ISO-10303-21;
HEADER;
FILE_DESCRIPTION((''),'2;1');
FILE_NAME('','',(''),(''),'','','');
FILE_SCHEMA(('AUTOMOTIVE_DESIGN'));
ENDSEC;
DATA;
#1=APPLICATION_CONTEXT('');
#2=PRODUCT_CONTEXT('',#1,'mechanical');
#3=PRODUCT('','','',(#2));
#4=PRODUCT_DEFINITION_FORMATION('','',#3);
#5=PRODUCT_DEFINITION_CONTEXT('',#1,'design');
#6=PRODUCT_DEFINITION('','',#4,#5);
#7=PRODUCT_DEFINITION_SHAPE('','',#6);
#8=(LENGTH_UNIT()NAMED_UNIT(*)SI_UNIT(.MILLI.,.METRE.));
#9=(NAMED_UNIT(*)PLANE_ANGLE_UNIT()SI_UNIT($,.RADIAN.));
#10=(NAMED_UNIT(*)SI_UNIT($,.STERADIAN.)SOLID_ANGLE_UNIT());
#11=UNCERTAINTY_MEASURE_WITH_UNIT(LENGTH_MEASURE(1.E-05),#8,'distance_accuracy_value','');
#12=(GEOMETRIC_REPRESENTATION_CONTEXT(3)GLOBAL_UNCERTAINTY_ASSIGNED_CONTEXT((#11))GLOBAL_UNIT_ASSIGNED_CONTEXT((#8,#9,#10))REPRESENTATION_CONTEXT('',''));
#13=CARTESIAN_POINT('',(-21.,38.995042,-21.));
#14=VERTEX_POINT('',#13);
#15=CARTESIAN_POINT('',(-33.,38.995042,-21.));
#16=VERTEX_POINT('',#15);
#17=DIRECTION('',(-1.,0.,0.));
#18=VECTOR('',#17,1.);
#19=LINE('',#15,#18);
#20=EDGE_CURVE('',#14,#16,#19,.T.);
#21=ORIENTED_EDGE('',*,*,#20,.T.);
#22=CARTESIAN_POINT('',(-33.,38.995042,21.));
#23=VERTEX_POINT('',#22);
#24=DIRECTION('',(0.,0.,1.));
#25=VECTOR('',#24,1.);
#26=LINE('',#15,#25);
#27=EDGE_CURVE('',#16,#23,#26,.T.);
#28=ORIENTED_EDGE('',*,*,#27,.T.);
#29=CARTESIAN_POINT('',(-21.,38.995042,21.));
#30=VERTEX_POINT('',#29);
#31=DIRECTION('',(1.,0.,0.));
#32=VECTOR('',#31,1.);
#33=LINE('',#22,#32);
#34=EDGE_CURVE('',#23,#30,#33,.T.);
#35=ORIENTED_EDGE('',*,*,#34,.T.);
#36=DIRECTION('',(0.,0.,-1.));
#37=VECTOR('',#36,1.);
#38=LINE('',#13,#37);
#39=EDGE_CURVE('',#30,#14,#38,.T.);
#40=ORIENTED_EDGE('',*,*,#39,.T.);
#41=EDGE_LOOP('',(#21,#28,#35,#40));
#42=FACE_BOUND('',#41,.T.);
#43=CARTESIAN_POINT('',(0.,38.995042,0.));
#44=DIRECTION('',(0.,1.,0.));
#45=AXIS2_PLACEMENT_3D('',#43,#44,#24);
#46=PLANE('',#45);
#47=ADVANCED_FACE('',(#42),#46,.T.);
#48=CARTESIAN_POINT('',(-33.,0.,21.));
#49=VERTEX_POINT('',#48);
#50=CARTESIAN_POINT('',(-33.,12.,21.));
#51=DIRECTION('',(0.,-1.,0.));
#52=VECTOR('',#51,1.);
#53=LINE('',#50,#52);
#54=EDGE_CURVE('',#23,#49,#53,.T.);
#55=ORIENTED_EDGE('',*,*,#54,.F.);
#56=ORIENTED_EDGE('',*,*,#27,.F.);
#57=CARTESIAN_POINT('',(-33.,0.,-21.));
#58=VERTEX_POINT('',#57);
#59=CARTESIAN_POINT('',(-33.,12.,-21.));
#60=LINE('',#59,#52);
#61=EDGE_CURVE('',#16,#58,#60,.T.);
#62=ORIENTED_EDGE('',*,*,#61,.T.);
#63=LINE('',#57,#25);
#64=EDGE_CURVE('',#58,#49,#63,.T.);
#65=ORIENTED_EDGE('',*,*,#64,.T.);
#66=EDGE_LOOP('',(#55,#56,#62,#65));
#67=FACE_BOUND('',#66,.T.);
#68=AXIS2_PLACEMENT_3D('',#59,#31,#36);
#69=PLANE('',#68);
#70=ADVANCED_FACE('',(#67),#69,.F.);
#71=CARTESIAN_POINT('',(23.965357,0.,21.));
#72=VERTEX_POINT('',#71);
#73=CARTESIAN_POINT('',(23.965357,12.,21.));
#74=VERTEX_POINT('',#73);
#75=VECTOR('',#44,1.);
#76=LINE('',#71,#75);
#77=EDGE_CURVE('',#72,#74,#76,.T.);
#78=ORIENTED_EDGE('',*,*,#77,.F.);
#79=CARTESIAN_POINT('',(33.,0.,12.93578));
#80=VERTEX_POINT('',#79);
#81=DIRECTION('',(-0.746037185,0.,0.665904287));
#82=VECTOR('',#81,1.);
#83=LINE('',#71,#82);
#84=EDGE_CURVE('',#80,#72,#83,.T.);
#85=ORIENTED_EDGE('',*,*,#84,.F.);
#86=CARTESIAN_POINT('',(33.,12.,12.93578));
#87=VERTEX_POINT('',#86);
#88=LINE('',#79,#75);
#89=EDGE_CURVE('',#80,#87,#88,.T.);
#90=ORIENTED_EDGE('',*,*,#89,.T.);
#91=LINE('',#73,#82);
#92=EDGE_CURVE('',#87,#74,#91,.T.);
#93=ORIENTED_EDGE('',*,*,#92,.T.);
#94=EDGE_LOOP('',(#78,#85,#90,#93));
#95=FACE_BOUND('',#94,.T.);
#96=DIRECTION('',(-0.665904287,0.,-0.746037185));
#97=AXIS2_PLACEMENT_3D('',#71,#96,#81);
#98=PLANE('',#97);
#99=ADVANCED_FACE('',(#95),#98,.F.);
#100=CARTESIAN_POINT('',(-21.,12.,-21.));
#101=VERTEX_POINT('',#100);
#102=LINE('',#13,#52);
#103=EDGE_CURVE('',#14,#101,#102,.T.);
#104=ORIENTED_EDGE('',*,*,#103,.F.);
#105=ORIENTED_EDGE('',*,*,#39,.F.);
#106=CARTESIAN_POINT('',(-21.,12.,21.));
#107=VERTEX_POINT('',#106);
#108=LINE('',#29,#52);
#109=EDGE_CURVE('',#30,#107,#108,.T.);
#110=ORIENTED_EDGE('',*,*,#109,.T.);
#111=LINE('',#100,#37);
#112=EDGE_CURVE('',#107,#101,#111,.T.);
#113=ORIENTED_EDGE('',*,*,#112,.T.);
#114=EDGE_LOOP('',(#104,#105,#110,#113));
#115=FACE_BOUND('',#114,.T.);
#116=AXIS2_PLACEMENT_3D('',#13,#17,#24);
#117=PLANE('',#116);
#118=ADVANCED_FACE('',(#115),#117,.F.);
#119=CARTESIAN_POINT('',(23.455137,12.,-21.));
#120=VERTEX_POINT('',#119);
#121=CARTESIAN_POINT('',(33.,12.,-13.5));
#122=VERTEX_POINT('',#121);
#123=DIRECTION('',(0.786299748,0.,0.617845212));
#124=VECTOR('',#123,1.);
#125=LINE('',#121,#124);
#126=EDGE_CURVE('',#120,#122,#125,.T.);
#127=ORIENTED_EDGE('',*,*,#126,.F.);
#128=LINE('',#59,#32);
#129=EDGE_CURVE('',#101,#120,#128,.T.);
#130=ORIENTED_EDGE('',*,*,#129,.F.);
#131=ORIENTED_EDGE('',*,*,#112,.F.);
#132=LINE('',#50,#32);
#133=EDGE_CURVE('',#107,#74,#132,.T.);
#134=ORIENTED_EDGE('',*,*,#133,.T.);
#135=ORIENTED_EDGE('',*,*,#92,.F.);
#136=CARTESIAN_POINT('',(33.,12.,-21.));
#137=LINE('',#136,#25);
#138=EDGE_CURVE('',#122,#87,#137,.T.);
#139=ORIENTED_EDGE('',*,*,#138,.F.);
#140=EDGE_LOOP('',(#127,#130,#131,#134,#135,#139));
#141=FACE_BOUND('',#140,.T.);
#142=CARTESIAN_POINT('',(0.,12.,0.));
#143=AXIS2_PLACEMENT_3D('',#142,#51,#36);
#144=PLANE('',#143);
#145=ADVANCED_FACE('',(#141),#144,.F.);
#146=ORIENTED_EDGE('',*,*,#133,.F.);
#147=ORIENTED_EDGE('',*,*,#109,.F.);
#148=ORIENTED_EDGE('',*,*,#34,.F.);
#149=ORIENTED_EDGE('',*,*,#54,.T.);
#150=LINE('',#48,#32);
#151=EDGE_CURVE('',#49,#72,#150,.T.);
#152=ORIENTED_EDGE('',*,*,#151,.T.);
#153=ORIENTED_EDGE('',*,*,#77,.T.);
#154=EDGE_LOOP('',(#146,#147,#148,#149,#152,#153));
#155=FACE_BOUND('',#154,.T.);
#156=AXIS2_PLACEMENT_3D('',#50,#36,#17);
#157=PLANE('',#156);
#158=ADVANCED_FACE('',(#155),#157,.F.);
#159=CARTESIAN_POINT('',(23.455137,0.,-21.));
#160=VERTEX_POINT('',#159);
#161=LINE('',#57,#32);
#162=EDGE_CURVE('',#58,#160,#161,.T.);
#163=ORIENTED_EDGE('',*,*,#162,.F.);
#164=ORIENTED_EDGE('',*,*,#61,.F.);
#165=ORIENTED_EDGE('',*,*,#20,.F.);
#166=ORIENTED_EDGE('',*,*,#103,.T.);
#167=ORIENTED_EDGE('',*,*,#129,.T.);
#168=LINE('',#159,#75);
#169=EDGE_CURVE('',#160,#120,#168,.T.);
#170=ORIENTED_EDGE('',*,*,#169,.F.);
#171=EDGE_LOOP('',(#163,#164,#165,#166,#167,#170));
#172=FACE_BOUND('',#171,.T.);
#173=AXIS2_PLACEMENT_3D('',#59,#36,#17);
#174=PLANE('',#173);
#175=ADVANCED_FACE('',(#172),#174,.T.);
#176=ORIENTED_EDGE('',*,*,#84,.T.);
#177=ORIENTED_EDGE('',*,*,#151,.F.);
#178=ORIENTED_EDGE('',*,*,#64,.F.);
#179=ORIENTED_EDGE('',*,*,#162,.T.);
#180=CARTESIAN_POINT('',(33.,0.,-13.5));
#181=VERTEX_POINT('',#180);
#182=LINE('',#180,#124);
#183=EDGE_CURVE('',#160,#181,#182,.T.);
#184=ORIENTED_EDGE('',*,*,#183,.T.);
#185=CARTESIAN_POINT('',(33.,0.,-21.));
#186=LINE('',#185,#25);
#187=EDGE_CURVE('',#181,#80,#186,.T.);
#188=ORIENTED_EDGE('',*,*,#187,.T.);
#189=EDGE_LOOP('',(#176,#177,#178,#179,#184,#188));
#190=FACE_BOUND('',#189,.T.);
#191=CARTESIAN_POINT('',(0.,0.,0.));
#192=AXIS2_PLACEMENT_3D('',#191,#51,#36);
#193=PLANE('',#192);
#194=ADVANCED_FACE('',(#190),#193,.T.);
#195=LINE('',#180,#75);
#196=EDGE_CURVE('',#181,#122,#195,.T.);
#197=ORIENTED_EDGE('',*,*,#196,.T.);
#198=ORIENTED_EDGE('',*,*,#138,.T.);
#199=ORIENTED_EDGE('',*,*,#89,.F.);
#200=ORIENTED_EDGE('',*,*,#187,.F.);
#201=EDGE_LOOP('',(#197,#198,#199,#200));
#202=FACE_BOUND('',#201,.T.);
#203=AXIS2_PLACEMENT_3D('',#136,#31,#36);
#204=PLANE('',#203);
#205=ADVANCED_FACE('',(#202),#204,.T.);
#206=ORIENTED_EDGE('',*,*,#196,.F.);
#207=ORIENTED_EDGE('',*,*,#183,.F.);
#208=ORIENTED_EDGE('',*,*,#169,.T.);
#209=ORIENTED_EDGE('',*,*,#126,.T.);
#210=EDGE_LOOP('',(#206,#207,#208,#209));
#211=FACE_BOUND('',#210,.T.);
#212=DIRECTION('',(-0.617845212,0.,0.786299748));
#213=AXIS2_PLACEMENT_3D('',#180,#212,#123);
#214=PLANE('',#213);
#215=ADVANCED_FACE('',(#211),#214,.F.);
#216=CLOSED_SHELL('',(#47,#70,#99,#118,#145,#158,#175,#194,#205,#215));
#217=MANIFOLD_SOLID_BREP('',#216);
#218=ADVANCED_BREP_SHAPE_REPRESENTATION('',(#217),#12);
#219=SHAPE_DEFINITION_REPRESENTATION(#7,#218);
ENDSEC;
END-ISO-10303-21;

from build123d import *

# Parameters (mm, degrees)
SKETCH1_W           = 66
SKETCH1_H           = 42
BOSS_EXTRUDE1_DEPTH = 12
SKETCH2_W           = 12
SKETCH2_H           = 42
BOSS_EXTRUDE2_DEPTH = 26.995042498
CUT_EXTRUDE1_DEPTH  = 12


with BuildPart() as part:
    # Sketch1 → Boss-Extrude1 (new body)
    with BuildSketch(Plane(origin=(0, 0, 0), x_dir=(1, 0, 0), z_dir=(0, 1, 0))):
        Rectangle(SKETCH1_W, SKETCH1_H)
    extrude(amount=BOSS_EXTRUDE1_DEPTH)

    # Sketch2 → Boss-Extrude2 (add)
    with BuildSketch(Plane(origin=(0, 12, 0), x_dir=(1, 0, 0), z_dir=(0, 1, 0))):
        with Locations((-27, 0)):
            Rectangle(SKETCH2_W, SKETCH2_H)
    extrude(amount=BOSS_EXTRUDE2_DEPTH)

    # Sketch12 → Cut-Extrude1 (cut)
    with BuildSketch(Plane(origin=(0, 12, 0), x_dir=(1, 0, 0), z_dir=(0, 1, 0))):
        Polygon((33, -12.935780303), (33, -21), (23.965356614, -21), align=None)
        Polygon((33, 13.5), (33, 21), (23.455136658, 21), align=None)
    extrude(amount=-CUT_EXTRUDE1_DEPTH, mode=Mode.SUBTRACT)


solid = part.part
